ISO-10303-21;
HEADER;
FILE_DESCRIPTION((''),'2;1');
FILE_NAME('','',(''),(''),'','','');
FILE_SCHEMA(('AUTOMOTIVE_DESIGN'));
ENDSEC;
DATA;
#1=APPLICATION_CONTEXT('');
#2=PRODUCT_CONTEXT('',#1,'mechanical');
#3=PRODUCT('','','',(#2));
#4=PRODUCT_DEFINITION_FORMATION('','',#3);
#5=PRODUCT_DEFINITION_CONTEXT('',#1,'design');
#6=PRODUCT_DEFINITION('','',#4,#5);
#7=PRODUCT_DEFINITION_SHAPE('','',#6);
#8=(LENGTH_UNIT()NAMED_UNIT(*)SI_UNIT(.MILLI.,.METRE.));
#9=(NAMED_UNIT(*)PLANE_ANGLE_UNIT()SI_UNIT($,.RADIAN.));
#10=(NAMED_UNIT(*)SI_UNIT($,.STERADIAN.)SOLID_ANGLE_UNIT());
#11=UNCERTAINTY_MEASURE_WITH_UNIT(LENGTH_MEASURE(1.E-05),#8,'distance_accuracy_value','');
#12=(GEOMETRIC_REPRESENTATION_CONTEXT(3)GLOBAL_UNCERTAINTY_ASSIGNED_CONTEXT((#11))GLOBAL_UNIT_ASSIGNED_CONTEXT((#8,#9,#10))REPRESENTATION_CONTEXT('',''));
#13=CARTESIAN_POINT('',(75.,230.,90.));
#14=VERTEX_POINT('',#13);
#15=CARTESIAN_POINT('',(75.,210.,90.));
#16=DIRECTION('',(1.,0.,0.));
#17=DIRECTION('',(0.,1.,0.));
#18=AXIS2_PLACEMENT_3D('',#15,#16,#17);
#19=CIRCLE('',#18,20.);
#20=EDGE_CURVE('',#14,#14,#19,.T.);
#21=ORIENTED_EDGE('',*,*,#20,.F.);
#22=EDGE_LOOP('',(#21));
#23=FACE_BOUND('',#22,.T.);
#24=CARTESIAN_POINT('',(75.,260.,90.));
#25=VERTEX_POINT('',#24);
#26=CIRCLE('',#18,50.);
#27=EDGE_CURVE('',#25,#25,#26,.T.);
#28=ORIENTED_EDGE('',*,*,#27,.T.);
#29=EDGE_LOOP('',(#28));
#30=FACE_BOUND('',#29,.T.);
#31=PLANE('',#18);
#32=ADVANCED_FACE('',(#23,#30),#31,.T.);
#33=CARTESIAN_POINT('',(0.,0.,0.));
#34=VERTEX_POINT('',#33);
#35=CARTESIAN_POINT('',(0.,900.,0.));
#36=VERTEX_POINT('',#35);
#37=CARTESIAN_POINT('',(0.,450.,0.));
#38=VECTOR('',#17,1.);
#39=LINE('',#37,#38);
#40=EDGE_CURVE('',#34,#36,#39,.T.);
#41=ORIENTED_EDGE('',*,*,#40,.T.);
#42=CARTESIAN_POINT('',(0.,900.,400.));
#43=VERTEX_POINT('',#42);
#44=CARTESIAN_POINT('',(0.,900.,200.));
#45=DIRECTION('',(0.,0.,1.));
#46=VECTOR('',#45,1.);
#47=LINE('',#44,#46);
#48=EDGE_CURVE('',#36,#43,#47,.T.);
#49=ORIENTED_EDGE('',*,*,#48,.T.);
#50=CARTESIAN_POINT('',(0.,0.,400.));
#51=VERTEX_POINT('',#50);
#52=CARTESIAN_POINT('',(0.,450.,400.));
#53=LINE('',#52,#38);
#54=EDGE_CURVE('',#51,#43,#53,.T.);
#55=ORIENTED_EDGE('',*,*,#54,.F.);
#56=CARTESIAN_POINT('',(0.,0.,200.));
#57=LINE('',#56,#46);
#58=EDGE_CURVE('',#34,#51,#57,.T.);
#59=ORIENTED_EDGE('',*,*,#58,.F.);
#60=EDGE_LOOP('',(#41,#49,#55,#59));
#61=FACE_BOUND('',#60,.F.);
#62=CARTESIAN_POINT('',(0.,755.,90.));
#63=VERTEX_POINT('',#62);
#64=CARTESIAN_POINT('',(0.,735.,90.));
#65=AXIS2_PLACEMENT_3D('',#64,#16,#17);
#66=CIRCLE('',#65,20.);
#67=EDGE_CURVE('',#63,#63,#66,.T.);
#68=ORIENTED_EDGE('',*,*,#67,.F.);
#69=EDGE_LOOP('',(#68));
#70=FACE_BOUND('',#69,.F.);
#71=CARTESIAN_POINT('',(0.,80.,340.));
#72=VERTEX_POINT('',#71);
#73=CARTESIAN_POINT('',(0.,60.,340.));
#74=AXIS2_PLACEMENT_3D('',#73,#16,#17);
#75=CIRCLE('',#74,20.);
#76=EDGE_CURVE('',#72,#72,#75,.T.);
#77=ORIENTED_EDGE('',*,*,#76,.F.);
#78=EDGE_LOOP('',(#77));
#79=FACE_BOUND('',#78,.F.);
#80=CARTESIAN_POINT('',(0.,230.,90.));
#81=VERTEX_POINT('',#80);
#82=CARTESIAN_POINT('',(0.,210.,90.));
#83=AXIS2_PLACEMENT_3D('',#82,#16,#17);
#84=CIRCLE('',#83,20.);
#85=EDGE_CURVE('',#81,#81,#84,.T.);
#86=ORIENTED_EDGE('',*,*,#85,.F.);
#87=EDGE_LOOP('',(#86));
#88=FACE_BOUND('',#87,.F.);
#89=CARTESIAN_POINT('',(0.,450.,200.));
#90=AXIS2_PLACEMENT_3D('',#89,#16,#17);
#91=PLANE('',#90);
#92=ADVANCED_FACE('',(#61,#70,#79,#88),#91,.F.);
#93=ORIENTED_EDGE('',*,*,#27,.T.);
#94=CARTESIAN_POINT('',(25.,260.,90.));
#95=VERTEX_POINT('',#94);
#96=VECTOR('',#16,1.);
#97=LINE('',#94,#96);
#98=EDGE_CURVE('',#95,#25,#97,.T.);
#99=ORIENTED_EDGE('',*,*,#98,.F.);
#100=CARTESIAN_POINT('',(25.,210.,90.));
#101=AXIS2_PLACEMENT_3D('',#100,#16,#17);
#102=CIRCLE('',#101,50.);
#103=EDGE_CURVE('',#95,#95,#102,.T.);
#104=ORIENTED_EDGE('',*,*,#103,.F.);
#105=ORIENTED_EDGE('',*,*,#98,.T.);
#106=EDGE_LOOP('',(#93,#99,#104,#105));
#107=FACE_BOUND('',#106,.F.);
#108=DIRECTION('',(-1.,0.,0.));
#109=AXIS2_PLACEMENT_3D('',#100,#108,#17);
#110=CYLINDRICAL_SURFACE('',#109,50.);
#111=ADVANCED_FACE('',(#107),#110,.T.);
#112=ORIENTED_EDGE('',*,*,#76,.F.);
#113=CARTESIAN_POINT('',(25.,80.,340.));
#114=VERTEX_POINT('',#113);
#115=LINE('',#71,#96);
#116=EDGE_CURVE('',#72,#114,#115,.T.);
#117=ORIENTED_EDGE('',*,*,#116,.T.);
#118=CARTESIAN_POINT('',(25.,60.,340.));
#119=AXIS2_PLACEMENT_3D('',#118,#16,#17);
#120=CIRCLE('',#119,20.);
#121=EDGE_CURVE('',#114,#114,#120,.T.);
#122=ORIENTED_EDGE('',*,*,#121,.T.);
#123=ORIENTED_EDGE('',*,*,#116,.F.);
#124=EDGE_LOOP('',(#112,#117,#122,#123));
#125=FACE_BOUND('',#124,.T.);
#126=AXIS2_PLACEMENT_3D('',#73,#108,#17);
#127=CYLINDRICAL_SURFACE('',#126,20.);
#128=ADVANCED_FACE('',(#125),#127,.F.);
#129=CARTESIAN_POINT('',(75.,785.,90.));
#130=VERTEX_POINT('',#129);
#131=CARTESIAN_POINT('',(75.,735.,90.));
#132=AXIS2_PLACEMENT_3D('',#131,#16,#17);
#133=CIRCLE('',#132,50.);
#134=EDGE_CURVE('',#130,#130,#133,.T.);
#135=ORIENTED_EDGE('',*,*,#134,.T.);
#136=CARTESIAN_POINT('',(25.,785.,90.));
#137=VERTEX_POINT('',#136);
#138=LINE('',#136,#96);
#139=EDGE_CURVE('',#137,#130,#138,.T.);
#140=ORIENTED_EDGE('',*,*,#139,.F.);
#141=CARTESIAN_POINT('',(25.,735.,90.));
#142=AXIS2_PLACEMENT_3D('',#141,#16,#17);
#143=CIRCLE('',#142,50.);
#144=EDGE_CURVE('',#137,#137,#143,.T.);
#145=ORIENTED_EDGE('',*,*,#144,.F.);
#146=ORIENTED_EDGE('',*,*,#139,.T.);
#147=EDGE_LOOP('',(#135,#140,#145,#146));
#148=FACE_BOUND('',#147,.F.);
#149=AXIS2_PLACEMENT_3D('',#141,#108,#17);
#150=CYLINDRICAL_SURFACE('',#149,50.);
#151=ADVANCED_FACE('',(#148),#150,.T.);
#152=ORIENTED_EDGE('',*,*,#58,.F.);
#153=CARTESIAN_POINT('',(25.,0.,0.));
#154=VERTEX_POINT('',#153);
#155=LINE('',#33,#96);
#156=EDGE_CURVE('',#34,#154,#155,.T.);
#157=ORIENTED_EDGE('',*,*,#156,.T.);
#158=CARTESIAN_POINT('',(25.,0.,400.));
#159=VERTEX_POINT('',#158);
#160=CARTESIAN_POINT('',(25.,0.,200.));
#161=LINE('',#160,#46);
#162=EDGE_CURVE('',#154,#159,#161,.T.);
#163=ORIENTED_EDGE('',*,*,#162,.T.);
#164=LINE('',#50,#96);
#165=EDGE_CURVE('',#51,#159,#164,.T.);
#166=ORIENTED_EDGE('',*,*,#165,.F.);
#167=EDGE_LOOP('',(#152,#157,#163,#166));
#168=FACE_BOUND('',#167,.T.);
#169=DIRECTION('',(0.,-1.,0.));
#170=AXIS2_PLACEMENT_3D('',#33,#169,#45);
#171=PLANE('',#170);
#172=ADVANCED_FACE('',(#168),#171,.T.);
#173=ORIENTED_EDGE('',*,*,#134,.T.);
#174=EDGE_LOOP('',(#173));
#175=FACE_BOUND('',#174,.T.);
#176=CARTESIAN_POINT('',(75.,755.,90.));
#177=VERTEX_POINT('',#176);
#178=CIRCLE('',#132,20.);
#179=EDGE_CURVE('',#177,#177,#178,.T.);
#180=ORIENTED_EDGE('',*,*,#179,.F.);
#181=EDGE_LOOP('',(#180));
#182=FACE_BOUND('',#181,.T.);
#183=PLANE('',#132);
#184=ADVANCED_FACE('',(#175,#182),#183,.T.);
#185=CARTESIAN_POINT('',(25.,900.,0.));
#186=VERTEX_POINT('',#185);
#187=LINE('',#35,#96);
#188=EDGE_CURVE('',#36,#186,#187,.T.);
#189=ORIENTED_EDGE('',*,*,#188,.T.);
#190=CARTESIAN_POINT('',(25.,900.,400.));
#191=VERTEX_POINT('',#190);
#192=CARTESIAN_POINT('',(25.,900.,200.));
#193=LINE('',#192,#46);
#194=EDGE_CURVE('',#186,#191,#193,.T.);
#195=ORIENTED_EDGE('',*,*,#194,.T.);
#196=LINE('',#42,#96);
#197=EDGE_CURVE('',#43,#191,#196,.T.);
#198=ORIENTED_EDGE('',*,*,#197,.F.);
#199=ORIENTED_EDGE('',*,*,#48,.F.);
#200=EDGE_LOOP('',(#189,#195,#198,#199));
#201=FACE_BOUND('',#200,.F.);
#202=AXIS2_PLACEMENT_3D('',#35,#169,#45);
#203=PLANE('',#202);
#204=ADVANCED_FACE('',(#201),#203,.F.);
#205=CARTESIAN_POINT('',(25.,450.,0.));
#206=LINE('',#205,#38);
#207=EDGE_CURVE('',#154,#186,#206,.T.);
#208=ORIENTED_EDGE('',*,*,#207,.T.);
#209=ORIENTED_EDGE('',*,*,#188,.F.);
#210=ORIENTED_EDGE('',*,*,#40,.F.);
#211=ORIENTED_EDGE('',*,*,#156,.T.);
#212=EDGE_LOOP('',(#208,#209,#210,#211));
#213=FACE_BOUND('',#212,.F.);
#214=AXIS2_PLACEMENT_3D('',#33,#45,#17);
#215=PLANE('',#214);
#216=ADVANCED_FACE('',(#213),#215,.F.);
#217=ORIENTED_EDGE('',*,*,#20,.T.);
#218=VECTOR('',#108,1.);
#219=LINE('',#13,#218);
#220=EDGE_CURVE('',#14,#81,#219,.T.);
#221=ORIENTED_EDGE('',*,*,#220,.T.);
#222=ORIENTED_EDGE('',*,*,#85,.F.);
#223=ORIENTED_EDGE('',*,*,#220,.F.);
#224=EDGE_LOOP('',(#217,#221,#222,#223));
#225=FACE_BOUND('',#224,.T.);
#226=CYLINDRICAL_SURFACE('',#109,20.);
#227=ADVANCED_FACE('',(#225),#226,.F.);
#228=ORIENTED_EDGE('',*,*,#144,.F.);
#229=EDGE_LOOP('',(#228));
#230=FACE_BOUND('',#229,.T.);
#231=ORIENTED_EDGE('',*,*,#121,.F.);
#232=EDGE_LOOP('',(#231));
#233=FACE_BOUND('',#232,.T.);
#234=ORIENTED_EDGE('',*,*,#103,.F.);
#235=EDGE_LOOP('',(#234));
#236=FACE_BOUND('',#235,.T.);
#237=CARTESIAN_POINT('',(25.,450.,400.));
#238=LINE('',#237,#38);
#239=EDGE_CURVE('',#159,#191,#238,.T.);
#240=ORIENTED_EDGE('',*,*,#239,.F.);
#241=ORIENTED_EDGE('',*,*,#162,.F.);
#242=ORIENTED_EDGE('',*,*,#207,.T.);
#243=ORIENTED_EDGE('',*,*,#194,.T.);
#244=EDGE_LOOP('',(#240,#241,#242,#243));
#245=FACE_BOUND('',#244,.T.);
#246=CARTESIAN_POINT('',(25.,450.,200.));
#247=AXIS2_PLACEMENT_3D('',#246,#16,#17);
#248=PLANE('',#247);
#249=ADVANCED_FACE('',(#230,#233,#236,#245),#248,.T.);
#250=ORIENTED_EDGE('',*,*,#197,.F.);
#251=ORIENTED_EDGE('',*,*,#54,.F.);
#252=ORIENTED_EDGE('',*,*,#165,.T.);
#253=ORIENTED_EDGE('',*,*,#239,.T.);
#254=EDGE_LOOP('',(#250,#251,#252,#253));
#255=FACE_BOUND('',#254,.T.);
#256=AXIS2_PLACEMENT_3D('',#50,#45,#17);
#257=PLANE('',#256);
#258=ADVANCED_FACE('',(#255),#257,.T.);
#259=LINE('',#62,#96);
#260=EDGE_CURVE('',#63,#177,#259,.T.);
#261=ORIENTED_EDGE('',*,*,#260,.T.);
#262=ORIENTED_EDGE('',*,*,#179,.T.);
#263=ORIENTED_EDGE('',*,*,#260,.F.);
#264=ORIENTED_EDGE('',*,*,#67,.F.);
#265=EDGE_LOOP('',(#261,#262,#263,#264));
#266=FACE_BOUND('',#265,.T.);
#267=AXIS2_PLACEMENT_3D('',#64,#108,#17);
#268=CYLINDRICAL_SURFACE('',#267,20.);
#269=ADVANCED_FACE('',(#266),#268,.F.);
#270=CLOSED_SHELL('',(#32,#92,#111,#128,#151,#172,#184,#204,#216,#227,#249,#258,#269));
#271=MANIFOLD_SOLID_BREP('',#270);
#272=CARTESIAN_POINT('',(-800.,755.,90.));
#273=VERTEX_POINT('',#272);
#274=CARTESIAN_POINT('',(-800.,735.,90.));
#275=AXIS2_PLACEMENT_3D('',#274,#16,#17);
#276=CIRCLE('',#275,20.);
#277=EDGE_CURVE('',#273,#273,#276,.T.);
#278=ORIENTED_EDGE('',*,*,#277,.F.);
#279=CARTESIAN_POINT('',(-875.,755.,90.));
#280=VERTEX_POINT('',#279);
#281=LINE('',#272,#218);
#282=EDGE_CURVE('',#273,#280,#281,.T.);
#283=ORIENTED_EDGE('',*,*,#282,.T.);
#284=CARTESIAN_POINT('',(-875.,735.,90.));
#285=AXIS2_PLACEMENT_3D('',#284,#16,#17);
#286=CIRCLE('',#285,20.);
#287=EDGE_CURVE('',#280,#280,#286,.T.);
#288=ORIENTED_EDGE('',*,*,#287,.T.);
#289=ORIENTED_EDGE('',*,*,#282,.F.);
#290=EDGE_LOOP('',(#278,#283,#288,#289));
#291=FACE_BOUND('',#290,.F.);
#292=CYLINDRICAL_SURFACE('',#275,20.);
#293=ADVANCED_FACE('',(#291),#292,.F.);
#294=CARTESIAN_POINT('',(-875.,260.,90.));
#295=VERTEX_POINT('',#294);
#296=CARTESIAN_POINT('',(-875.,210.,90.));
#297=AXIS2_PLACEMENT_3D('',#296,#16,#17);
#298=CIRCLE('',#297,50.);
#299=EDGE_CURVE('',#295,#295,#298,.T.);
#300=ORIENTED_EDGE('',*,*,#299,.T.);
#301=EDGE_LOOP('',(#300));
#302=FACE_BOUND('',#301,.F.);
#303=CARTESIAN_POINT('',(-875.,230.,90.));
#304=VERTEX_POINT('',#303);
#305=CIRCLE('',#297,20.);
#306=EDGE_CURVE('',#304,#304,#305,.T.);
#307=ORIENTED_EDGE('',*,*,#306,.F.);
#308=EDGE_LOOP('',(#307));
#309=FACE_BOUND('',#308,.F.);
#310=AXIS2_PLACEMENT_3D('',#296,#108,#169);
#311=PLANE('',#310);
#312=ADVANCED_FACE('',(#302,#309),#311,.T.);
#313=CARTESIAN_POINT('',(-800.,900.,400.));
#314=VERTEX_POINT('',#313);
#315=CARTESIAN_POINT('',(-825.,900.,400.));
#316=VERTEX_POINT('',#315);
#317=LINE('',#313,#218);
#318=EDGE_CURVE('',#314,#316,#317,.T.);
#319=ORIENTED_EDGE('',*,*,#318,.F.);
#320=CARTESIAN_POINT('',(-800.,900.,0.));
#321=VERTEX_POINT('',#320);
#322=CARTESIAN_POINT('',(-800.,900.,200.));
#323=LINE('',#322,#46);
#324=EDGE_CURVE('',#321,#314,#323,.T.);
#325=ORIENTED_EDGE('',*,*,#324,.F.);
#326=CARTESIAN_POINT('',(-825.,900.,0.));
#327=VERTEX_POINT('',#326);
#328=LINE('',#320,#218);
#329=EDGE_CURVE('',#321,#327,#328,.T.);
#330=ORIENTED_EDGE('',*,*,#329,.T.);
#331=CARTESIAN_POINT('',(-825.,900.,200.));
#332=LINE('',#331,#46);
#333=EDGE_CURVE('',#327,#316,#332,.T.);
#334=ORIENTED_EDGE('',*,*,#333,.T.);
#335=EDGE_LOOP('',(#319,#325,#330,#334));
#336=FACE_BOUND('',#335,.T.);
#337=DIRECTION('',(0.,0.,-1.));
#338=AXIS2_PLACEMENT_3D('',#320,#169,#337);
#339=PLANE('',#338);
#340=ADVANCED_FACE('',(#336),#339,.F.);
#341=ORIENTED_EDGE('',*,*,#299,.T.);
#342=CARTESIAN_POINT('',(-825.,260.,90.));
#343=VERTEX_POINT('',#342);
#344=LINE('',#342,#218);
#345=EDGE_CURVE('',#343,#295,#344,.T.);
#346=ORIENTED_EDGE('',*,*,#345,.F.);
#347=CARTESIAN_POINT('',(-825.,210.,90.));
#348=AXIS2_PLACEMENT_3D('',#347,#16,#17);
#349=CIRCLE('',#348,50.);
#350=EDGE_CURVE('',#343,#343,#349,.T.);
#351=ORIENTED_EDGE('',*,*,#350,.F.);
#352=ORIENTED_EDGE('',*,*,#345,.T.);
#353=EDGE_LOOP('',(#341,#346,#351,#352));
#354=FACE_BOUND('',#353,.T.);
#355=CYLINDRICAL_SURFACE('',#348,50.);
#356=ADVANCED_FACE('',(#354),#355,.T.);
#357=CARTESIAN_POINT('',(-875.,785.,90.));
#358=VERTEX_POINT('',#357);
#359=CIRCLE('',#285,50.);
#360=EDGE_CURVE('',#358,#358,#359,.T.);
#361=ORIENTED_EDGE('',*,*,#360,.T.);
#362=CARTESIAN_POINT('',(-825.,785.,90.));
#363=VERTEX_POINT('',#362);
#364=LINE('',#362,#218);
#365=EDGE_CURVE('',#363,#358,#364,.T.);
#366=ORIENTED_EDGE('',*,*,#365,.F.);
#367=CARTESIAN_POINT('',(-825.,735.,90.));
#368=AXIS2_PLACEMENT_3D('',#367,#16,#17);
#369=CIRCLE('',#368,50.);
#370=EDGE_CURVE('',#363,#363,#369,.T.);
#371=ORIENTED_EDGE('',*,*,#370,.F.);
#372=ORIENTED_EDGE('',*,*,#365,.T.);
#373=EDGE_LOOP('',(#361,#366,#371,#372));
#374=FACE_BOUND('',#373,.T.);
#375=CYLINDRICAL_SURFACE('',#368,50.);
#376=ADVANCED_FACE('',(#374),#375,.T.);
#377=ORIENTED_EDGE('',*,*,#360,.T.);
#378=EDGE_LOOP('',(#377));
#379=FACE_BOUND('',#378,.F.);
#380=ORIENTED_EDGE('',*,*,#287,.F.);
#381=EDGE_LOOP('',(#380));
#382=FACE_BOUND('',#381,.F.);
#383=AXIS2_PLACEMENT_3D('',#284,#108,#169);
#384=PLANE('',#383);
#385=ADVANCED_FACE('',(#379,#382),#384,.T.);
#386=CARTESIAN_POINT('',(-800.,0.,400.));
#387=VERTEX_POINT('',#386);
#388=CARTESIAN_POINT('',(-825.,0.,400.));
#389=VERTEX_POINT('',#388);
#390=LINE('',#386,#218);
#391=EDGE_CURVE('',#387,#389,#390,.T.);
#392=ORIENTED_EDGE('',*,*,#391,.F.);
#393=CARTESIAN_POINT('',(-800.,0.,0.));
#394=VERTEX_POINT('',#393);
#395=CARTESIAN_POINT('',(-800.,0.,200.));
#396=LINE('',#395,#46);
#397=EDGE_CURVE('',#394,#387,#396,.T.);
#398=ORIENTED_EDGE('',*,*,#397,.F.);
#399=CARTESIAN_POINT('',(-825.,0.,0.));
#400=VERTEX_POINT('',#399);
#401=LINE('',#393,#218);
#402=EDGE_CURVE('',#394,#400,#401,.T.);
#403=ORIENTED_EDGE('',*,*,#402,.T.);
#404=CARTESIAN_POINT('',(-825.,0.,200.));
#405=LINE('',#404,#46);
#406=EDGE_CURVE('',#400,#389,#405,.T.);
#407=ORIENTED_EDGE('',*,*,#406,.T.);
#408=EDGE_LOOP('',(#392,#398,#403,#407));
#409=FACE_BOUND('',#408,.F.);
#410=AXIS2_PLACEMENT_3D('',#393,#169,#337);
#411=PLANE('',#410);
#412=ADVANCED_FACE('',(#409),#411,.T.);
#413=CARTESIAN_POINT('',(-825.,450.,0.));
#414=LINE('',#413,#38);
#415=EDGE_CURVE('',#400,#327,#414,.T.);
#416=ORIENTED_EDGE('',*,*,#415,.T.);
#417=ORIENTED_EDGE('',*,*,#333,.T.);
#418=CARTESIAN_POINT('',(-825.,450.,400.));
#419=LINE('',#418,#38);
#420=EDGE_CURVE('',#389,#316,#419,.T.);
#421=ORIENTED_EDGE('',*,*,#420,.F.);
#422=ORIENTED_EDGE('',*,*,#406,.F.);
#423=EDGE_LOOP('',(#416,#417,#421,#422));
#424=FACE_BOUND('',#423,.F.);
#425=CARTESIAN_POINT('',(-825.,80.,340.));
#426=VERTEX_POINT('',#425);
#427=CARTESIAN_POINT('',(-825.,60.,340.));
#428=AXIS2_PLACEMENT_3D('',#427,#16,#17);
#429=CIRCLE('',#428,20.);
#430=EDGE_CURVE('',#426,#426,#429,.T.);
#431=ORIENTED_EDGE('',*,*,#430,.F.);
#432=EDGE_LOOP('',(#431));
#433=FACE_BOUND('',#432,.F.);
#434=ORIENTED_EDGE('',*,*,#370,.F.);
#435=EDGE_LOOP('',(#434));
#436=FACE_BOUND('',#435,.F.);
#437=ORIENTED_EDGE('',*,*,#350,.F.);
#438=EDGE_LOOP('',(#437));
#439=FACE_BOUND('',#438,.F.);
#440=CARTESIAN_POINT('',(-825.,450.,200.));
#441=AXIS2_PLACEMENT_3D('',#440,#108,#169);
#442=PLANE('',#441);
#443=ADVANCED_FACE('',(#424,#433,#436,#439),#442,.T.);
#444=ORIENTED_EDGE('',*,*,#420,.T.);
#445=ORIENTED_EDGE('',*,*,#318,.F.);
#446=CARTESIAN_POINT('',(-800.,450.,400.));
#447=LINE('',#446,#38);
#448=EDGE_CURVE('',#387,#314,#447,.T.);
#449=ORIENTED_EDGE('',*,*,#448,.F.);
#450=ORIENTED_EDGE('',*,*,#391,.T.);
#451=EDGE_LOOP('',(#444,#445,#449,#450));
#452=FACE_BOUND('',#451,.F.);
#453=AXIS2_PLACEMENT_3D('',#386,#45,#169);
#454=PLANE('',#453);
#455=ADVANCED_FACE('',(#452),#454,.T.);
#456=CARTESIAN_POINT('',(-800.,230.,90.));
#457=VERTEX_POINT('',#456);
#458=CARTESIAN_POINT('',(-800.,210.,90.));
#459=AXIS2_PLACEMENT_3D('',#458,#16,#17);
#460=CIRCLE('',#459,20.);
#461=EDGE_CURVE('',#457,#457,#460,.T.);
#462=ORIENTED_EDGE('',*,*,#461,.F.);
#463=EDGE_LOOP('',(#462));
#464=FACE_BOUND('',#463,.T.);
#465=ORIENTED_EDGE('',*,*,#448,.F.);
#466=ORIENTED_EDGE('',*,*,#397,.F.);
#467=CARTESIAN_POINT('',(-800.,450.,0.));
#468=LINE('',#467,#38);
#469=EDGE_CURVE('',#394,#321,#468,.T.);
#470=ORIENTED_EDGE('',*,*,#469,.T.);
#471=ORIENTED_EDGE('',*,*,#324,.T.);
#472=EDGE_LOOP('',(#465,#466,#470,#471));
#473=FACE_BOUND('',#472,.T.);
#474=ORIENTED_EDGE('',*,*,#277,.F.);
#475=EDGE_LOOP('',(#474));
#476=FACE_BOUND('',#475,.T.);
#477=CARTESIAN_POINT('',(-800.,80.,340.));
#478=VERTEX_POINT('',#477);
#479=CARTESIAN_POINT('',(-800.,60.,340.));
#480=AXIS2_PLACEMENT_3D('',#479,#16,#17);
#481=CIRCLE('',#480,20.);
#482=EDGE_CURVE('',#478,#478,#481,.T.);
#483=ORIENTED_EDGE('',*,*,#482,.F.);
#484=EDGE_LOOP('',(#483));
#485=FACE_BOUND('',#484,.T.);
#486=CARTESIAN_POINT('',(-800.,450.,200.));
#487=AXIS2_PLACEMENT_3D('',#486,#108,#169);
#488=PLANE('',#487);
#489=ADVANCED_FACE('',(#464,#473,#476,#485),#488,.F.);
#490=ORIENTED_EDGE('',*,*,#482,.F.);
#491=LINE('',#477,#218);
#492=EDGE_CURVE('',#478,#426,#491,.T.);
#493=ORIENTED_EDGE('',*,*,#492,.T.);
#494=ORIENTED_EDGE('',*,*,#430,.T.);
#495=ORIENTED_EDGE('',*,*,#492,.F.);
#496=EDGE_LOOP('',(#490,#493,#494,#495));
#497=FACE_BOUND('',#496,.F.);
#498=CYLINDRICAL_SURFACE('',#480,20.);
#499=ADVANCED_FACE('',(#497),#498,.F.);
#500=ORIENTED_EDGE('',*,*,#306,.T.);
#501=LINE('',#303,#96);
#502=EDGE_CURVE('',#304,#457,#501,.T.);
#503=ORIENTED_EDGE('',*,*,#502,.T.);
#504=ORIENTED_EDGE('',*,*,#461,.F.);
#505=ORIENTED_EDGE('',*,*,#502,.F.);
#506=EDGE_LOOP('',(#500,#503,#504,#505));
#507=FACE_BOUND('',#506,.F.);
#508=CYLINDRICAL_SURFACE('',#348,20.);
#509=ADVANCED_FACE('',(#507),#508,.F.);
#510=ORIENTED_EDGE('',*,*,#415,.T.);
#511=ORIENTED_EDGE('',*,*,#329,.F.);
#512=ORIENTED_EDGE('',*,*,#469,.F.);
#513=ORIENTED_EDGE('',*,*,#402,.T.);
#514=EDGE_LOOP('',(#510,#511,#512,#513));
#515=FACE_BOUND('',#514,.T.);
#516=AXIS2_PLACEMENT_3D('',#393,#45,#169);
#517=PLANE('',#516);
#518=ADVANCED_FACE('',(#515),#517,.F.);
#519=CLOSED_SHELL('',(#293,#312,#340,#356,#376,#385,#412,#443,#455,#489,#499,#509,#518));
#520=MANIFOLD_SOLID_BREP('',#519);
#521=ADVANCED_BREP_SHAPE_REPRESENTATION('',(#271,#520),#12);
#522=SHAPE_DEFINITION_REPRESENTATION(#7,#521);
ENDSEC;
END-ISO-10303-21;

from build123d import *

# Parameters (mm, degrees)
F0_W     = 900
F0_H     = 400
F0_R     = 20
F1_DEPTH = 25
F2_R     = 50
F2_R_2   = 20
F3_DEPTH = 50


with BuildPart() as f1:
    # F0 (on Right) → F1 (new body)
    with BuildSketch(Plane.YZ):
        with Locations((450, 200)):
            Rectangle(F0_W, F0_H)
        with Locations((210, 90)):
            Circle(F0_R, mode=Mode.SUBTRACT)
        with Locations((735, 90)):
            Circle(F0_R, mode=Mode.SUBTRACT)
        with Locations((60, 340)):
            Circle(F0_R, mode=Mode.SUBTRACT)
    extrude(amount=F1_DEPTH)

    # F2 (on face) → F3 (join)
    with BuildSketch(Plane.YZ.offset(25)):
        with Locations((210, 90)):
            Circle(F2_R)
        with Locations((210, 90)):
            Circle(F2_R_2, mode=Mode.SUBTRACT)
        with Locations((735, 90)):
            Circle(F2_R)
        with Locations((735, 90)):
            Circle(F2_R_2, mode=Mode.SUBTRACT)
    extrude(amount=F3_DEPTH)


with BuildPart() as f5_1:
    # F5: instance of F1
    add(f1.part.mirror(Plane(origin=(-400, 451.217022, 200.282208), x_dir=(0, 1, 0), z_dir=(-1, 0, 0))))


solid = Compound([f1.part, f5_1.part])
